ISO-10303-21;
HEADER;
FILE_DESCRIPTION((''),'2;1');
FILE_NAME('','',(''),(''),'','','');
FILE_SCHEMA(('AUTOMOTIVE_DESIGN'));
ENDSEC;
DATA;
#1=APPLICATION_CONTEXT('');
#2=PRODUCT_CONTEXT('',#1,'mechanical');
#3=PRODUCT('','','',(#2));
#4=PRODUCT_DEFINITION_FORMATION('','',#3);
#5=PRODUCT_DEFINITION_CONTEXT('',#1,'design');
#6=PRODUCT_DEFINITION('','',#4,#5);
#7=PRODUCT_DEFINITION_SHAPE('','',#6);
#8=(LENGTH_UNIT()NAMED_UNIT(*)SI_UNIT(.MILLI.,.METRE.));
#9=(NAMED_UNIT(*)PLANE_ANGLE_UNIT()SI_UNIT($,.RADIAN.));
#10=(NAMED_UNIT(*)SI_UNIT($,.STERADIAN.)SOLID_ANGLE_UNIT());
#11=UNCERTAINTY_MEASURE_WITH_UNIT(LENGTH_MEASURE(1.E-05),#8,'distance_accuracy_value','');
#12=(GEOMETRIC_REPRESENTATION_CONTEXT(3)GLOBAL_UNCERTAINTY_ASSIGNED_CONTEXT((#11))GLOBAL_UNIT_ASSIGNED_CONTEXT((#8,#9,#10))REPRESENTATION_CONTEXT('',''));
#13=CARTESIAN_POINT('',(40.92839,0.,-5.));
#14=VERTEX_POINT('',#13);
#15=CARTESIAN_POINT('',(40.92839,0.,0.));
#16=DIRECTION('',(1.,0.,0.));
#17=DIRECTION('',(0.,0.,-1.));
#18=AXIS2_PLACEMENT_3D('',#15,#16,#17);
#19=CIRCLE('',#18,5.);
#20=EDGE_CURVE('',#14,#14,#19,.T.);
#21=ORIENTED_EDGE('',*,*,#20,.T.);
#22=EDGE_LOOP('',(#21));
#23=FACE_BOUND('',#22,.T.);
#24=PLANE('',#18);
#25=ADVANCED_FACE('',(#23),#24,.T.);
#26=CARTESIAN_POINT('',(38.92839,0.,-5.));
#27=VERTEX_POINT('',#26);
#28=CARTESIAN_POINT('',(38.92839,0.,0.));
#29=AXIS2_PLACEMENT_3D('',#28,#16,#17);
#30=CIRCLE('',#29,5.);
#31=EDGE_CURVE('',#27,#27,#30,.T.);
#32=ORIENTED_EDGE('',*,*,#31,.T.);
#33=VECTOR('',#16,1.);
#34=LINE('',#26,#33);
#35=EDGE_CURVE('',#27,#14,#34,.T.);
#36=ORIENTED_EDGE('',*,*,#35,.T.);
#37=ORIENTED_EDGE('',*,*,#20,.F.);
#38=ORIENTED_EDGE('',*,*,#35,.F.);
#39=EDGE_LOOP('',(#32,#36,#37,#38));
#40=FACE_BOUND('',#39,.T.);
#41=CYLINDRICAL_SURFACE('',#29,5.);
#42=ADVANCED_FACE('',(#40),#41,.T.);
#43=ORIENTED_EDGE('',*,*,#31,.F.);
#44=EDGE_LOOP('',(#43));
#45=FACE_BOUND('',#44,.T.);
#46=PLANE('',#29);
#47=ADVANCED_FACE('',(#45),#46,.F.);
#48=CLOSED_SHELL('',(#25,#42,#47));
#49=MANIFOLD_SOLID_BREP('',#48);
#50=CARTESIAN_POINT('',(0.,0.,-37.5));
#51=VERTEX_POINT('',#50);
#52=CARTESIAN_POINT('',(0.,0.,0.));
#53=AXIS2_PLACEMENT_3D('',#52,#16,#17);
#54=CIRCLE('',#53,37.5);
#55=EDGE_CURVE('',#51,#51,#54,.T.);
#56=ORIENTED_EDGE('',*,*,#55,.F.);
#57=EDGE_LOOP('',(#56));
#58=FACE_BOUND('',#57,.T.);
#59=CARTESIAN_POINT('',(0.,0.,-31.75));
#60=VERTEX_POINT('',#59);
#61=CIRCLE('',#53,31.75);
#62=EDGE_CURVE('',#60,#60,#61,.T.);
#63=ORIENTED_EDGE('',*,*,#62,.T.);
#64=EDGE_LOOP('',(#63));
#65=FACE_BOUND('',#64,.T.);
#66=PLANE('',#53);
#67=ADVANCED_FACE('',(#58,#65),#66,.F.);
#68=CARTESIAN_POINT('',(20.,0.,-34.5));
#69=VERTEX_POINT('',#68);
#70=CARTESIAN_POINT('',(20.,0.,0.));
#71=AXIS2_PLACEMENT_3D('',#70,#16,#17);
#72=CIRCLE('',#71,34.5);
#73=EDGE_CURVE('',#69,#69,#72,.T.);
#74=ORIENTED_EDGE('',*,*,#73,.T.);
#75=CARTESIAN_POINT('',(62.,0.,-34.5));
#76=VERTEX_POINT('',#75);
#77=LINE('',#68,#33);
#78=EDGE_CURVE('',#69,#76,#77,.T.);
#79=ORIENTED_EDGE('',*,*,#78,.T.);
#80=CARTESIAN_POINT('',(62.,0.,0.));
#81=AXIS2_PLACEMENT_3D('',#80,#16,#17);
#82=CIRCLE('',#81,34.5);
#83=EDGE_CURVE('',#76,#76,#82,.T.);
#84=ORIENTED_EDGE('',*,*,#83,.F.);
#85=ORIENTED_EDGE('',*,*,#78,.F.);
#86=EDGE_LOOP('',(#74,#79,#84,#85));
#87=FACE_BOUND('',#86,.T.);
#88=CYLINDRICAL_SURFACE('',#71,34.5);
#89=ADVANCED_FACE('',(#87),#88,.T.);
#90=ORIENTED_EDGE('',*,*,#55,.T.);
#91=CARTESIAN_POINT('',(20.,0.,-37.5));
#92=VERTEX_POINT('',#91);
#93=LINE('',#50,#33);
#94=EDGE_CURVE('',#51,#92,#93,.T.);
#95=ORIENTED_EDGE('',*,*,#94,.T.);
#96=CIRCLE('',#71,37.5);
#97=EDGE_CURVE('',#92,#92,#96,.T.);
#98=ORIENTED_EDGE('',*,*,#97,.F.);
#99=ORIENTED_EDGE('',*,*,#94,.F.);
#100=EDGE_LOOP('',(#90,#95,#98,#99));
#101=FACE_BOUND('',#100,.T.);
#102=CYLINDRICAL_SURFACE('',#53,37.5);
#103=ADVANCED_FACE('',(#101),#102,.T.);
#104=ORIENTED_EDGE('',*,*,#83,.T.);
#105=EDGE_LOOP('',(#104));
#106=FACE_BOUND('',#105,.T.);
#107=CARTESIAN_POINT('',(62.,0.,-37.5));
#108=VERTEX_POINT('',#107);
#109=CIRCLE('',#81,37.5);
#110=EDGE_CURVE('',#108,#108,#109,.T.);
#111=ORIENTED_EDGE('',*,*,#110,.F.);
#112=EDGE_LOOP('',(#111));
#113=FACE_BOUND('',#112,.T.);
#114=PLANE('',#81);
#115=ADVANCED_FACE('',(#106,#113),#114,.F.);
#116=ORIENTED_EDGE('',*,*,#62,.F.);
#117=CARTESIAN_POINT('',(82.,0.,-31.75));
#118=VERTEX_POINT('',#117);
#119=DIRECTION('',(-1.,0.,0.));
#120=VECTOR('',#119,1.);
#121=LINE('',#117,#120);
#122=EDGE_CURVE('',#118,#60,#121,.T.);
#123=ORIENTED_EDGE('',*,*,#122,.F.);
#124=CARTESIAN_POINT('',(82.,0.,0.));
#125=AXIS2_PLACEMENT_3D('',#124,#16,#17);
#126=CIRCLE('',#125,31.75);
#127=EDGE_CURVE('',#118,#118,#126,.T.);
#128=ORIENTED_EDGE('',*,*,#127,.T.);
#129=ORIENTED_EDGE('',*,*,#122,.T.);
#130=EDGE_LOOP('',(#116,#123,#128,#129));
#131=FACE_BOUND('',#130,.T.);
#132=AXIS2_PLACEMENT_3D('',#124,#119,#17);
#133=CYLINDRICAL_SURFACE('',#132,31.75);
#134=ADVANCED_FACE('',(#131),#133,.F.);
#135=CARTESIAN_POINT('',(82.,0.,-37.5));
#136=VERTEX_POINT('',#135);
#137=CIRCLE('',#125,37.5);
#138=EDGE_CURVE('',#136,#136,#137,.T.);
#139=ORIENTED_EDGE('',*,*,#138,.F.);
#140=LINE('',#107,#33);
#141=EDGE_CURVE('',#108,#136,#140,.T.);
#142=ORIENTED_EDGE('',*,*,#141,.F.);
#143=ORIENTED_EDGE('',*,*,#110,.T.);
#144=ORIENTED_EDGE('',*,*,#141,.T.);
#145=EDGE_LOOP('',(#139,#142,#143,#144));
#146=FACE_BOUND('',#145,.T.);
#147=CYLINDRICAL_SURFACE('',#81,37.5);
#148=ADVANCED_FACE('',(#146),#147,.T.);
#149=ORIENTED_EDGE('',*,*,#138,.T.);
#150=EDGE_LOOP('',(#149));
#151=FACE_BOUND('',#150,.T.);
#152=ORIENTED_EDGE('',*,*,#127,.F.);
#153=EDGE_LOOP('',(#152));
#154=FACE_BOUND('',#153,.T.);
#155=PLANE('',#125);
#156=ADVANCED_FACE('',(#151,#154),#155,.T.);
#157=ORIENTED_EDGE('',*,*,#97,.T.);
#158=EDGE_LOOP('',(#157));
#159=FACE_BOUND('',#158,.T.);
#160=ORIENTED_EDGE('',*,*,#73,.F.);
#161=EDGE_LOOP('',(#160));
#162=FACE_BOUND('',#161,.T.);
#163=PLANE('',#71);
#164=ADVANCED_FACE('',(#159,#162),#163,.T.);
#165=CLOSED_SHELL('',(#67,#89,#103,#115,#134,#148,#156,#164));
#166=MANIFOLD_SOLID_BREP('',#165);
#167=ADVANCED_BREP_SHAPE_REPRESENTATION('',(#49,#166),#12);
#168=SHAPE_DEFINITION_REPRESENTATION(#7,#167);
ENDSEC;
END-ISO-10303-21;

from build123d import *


with BuildPart() as f2:
    # F1 (on Front) → F2 (revolve)
    with BuildSketch(Plane.XZ):
        Polygon((40.9283895493, 0), (39.9283895493, 0), (38.9283895493, 0), (38.9283895493, -5), (40.9283895493, -5), align=None)
    revolve(axis=Axis((41, 0, 0), (1, 0, 0)))


with BuildPart() as f2b:
    # F0 (on Front) → F2, piece 2 (revolve)
    with BuildSketch(Plane.XZ):
        Polygon((41, -31.75), (0, -31.75), (0, -37.5), (20, -37.5), (20, -34.5), (41, -34.5), align=None)
        Polygon((82, -31.75), (41, -31.75), (41, -34.5), (62, -34.5), (62, -37.5), (82, -37.5), align=None)
    revolve(axis=Axis((41, 0, 0), (1, 0, 0)))


solid = Compound([f2.part, f2b.part])
